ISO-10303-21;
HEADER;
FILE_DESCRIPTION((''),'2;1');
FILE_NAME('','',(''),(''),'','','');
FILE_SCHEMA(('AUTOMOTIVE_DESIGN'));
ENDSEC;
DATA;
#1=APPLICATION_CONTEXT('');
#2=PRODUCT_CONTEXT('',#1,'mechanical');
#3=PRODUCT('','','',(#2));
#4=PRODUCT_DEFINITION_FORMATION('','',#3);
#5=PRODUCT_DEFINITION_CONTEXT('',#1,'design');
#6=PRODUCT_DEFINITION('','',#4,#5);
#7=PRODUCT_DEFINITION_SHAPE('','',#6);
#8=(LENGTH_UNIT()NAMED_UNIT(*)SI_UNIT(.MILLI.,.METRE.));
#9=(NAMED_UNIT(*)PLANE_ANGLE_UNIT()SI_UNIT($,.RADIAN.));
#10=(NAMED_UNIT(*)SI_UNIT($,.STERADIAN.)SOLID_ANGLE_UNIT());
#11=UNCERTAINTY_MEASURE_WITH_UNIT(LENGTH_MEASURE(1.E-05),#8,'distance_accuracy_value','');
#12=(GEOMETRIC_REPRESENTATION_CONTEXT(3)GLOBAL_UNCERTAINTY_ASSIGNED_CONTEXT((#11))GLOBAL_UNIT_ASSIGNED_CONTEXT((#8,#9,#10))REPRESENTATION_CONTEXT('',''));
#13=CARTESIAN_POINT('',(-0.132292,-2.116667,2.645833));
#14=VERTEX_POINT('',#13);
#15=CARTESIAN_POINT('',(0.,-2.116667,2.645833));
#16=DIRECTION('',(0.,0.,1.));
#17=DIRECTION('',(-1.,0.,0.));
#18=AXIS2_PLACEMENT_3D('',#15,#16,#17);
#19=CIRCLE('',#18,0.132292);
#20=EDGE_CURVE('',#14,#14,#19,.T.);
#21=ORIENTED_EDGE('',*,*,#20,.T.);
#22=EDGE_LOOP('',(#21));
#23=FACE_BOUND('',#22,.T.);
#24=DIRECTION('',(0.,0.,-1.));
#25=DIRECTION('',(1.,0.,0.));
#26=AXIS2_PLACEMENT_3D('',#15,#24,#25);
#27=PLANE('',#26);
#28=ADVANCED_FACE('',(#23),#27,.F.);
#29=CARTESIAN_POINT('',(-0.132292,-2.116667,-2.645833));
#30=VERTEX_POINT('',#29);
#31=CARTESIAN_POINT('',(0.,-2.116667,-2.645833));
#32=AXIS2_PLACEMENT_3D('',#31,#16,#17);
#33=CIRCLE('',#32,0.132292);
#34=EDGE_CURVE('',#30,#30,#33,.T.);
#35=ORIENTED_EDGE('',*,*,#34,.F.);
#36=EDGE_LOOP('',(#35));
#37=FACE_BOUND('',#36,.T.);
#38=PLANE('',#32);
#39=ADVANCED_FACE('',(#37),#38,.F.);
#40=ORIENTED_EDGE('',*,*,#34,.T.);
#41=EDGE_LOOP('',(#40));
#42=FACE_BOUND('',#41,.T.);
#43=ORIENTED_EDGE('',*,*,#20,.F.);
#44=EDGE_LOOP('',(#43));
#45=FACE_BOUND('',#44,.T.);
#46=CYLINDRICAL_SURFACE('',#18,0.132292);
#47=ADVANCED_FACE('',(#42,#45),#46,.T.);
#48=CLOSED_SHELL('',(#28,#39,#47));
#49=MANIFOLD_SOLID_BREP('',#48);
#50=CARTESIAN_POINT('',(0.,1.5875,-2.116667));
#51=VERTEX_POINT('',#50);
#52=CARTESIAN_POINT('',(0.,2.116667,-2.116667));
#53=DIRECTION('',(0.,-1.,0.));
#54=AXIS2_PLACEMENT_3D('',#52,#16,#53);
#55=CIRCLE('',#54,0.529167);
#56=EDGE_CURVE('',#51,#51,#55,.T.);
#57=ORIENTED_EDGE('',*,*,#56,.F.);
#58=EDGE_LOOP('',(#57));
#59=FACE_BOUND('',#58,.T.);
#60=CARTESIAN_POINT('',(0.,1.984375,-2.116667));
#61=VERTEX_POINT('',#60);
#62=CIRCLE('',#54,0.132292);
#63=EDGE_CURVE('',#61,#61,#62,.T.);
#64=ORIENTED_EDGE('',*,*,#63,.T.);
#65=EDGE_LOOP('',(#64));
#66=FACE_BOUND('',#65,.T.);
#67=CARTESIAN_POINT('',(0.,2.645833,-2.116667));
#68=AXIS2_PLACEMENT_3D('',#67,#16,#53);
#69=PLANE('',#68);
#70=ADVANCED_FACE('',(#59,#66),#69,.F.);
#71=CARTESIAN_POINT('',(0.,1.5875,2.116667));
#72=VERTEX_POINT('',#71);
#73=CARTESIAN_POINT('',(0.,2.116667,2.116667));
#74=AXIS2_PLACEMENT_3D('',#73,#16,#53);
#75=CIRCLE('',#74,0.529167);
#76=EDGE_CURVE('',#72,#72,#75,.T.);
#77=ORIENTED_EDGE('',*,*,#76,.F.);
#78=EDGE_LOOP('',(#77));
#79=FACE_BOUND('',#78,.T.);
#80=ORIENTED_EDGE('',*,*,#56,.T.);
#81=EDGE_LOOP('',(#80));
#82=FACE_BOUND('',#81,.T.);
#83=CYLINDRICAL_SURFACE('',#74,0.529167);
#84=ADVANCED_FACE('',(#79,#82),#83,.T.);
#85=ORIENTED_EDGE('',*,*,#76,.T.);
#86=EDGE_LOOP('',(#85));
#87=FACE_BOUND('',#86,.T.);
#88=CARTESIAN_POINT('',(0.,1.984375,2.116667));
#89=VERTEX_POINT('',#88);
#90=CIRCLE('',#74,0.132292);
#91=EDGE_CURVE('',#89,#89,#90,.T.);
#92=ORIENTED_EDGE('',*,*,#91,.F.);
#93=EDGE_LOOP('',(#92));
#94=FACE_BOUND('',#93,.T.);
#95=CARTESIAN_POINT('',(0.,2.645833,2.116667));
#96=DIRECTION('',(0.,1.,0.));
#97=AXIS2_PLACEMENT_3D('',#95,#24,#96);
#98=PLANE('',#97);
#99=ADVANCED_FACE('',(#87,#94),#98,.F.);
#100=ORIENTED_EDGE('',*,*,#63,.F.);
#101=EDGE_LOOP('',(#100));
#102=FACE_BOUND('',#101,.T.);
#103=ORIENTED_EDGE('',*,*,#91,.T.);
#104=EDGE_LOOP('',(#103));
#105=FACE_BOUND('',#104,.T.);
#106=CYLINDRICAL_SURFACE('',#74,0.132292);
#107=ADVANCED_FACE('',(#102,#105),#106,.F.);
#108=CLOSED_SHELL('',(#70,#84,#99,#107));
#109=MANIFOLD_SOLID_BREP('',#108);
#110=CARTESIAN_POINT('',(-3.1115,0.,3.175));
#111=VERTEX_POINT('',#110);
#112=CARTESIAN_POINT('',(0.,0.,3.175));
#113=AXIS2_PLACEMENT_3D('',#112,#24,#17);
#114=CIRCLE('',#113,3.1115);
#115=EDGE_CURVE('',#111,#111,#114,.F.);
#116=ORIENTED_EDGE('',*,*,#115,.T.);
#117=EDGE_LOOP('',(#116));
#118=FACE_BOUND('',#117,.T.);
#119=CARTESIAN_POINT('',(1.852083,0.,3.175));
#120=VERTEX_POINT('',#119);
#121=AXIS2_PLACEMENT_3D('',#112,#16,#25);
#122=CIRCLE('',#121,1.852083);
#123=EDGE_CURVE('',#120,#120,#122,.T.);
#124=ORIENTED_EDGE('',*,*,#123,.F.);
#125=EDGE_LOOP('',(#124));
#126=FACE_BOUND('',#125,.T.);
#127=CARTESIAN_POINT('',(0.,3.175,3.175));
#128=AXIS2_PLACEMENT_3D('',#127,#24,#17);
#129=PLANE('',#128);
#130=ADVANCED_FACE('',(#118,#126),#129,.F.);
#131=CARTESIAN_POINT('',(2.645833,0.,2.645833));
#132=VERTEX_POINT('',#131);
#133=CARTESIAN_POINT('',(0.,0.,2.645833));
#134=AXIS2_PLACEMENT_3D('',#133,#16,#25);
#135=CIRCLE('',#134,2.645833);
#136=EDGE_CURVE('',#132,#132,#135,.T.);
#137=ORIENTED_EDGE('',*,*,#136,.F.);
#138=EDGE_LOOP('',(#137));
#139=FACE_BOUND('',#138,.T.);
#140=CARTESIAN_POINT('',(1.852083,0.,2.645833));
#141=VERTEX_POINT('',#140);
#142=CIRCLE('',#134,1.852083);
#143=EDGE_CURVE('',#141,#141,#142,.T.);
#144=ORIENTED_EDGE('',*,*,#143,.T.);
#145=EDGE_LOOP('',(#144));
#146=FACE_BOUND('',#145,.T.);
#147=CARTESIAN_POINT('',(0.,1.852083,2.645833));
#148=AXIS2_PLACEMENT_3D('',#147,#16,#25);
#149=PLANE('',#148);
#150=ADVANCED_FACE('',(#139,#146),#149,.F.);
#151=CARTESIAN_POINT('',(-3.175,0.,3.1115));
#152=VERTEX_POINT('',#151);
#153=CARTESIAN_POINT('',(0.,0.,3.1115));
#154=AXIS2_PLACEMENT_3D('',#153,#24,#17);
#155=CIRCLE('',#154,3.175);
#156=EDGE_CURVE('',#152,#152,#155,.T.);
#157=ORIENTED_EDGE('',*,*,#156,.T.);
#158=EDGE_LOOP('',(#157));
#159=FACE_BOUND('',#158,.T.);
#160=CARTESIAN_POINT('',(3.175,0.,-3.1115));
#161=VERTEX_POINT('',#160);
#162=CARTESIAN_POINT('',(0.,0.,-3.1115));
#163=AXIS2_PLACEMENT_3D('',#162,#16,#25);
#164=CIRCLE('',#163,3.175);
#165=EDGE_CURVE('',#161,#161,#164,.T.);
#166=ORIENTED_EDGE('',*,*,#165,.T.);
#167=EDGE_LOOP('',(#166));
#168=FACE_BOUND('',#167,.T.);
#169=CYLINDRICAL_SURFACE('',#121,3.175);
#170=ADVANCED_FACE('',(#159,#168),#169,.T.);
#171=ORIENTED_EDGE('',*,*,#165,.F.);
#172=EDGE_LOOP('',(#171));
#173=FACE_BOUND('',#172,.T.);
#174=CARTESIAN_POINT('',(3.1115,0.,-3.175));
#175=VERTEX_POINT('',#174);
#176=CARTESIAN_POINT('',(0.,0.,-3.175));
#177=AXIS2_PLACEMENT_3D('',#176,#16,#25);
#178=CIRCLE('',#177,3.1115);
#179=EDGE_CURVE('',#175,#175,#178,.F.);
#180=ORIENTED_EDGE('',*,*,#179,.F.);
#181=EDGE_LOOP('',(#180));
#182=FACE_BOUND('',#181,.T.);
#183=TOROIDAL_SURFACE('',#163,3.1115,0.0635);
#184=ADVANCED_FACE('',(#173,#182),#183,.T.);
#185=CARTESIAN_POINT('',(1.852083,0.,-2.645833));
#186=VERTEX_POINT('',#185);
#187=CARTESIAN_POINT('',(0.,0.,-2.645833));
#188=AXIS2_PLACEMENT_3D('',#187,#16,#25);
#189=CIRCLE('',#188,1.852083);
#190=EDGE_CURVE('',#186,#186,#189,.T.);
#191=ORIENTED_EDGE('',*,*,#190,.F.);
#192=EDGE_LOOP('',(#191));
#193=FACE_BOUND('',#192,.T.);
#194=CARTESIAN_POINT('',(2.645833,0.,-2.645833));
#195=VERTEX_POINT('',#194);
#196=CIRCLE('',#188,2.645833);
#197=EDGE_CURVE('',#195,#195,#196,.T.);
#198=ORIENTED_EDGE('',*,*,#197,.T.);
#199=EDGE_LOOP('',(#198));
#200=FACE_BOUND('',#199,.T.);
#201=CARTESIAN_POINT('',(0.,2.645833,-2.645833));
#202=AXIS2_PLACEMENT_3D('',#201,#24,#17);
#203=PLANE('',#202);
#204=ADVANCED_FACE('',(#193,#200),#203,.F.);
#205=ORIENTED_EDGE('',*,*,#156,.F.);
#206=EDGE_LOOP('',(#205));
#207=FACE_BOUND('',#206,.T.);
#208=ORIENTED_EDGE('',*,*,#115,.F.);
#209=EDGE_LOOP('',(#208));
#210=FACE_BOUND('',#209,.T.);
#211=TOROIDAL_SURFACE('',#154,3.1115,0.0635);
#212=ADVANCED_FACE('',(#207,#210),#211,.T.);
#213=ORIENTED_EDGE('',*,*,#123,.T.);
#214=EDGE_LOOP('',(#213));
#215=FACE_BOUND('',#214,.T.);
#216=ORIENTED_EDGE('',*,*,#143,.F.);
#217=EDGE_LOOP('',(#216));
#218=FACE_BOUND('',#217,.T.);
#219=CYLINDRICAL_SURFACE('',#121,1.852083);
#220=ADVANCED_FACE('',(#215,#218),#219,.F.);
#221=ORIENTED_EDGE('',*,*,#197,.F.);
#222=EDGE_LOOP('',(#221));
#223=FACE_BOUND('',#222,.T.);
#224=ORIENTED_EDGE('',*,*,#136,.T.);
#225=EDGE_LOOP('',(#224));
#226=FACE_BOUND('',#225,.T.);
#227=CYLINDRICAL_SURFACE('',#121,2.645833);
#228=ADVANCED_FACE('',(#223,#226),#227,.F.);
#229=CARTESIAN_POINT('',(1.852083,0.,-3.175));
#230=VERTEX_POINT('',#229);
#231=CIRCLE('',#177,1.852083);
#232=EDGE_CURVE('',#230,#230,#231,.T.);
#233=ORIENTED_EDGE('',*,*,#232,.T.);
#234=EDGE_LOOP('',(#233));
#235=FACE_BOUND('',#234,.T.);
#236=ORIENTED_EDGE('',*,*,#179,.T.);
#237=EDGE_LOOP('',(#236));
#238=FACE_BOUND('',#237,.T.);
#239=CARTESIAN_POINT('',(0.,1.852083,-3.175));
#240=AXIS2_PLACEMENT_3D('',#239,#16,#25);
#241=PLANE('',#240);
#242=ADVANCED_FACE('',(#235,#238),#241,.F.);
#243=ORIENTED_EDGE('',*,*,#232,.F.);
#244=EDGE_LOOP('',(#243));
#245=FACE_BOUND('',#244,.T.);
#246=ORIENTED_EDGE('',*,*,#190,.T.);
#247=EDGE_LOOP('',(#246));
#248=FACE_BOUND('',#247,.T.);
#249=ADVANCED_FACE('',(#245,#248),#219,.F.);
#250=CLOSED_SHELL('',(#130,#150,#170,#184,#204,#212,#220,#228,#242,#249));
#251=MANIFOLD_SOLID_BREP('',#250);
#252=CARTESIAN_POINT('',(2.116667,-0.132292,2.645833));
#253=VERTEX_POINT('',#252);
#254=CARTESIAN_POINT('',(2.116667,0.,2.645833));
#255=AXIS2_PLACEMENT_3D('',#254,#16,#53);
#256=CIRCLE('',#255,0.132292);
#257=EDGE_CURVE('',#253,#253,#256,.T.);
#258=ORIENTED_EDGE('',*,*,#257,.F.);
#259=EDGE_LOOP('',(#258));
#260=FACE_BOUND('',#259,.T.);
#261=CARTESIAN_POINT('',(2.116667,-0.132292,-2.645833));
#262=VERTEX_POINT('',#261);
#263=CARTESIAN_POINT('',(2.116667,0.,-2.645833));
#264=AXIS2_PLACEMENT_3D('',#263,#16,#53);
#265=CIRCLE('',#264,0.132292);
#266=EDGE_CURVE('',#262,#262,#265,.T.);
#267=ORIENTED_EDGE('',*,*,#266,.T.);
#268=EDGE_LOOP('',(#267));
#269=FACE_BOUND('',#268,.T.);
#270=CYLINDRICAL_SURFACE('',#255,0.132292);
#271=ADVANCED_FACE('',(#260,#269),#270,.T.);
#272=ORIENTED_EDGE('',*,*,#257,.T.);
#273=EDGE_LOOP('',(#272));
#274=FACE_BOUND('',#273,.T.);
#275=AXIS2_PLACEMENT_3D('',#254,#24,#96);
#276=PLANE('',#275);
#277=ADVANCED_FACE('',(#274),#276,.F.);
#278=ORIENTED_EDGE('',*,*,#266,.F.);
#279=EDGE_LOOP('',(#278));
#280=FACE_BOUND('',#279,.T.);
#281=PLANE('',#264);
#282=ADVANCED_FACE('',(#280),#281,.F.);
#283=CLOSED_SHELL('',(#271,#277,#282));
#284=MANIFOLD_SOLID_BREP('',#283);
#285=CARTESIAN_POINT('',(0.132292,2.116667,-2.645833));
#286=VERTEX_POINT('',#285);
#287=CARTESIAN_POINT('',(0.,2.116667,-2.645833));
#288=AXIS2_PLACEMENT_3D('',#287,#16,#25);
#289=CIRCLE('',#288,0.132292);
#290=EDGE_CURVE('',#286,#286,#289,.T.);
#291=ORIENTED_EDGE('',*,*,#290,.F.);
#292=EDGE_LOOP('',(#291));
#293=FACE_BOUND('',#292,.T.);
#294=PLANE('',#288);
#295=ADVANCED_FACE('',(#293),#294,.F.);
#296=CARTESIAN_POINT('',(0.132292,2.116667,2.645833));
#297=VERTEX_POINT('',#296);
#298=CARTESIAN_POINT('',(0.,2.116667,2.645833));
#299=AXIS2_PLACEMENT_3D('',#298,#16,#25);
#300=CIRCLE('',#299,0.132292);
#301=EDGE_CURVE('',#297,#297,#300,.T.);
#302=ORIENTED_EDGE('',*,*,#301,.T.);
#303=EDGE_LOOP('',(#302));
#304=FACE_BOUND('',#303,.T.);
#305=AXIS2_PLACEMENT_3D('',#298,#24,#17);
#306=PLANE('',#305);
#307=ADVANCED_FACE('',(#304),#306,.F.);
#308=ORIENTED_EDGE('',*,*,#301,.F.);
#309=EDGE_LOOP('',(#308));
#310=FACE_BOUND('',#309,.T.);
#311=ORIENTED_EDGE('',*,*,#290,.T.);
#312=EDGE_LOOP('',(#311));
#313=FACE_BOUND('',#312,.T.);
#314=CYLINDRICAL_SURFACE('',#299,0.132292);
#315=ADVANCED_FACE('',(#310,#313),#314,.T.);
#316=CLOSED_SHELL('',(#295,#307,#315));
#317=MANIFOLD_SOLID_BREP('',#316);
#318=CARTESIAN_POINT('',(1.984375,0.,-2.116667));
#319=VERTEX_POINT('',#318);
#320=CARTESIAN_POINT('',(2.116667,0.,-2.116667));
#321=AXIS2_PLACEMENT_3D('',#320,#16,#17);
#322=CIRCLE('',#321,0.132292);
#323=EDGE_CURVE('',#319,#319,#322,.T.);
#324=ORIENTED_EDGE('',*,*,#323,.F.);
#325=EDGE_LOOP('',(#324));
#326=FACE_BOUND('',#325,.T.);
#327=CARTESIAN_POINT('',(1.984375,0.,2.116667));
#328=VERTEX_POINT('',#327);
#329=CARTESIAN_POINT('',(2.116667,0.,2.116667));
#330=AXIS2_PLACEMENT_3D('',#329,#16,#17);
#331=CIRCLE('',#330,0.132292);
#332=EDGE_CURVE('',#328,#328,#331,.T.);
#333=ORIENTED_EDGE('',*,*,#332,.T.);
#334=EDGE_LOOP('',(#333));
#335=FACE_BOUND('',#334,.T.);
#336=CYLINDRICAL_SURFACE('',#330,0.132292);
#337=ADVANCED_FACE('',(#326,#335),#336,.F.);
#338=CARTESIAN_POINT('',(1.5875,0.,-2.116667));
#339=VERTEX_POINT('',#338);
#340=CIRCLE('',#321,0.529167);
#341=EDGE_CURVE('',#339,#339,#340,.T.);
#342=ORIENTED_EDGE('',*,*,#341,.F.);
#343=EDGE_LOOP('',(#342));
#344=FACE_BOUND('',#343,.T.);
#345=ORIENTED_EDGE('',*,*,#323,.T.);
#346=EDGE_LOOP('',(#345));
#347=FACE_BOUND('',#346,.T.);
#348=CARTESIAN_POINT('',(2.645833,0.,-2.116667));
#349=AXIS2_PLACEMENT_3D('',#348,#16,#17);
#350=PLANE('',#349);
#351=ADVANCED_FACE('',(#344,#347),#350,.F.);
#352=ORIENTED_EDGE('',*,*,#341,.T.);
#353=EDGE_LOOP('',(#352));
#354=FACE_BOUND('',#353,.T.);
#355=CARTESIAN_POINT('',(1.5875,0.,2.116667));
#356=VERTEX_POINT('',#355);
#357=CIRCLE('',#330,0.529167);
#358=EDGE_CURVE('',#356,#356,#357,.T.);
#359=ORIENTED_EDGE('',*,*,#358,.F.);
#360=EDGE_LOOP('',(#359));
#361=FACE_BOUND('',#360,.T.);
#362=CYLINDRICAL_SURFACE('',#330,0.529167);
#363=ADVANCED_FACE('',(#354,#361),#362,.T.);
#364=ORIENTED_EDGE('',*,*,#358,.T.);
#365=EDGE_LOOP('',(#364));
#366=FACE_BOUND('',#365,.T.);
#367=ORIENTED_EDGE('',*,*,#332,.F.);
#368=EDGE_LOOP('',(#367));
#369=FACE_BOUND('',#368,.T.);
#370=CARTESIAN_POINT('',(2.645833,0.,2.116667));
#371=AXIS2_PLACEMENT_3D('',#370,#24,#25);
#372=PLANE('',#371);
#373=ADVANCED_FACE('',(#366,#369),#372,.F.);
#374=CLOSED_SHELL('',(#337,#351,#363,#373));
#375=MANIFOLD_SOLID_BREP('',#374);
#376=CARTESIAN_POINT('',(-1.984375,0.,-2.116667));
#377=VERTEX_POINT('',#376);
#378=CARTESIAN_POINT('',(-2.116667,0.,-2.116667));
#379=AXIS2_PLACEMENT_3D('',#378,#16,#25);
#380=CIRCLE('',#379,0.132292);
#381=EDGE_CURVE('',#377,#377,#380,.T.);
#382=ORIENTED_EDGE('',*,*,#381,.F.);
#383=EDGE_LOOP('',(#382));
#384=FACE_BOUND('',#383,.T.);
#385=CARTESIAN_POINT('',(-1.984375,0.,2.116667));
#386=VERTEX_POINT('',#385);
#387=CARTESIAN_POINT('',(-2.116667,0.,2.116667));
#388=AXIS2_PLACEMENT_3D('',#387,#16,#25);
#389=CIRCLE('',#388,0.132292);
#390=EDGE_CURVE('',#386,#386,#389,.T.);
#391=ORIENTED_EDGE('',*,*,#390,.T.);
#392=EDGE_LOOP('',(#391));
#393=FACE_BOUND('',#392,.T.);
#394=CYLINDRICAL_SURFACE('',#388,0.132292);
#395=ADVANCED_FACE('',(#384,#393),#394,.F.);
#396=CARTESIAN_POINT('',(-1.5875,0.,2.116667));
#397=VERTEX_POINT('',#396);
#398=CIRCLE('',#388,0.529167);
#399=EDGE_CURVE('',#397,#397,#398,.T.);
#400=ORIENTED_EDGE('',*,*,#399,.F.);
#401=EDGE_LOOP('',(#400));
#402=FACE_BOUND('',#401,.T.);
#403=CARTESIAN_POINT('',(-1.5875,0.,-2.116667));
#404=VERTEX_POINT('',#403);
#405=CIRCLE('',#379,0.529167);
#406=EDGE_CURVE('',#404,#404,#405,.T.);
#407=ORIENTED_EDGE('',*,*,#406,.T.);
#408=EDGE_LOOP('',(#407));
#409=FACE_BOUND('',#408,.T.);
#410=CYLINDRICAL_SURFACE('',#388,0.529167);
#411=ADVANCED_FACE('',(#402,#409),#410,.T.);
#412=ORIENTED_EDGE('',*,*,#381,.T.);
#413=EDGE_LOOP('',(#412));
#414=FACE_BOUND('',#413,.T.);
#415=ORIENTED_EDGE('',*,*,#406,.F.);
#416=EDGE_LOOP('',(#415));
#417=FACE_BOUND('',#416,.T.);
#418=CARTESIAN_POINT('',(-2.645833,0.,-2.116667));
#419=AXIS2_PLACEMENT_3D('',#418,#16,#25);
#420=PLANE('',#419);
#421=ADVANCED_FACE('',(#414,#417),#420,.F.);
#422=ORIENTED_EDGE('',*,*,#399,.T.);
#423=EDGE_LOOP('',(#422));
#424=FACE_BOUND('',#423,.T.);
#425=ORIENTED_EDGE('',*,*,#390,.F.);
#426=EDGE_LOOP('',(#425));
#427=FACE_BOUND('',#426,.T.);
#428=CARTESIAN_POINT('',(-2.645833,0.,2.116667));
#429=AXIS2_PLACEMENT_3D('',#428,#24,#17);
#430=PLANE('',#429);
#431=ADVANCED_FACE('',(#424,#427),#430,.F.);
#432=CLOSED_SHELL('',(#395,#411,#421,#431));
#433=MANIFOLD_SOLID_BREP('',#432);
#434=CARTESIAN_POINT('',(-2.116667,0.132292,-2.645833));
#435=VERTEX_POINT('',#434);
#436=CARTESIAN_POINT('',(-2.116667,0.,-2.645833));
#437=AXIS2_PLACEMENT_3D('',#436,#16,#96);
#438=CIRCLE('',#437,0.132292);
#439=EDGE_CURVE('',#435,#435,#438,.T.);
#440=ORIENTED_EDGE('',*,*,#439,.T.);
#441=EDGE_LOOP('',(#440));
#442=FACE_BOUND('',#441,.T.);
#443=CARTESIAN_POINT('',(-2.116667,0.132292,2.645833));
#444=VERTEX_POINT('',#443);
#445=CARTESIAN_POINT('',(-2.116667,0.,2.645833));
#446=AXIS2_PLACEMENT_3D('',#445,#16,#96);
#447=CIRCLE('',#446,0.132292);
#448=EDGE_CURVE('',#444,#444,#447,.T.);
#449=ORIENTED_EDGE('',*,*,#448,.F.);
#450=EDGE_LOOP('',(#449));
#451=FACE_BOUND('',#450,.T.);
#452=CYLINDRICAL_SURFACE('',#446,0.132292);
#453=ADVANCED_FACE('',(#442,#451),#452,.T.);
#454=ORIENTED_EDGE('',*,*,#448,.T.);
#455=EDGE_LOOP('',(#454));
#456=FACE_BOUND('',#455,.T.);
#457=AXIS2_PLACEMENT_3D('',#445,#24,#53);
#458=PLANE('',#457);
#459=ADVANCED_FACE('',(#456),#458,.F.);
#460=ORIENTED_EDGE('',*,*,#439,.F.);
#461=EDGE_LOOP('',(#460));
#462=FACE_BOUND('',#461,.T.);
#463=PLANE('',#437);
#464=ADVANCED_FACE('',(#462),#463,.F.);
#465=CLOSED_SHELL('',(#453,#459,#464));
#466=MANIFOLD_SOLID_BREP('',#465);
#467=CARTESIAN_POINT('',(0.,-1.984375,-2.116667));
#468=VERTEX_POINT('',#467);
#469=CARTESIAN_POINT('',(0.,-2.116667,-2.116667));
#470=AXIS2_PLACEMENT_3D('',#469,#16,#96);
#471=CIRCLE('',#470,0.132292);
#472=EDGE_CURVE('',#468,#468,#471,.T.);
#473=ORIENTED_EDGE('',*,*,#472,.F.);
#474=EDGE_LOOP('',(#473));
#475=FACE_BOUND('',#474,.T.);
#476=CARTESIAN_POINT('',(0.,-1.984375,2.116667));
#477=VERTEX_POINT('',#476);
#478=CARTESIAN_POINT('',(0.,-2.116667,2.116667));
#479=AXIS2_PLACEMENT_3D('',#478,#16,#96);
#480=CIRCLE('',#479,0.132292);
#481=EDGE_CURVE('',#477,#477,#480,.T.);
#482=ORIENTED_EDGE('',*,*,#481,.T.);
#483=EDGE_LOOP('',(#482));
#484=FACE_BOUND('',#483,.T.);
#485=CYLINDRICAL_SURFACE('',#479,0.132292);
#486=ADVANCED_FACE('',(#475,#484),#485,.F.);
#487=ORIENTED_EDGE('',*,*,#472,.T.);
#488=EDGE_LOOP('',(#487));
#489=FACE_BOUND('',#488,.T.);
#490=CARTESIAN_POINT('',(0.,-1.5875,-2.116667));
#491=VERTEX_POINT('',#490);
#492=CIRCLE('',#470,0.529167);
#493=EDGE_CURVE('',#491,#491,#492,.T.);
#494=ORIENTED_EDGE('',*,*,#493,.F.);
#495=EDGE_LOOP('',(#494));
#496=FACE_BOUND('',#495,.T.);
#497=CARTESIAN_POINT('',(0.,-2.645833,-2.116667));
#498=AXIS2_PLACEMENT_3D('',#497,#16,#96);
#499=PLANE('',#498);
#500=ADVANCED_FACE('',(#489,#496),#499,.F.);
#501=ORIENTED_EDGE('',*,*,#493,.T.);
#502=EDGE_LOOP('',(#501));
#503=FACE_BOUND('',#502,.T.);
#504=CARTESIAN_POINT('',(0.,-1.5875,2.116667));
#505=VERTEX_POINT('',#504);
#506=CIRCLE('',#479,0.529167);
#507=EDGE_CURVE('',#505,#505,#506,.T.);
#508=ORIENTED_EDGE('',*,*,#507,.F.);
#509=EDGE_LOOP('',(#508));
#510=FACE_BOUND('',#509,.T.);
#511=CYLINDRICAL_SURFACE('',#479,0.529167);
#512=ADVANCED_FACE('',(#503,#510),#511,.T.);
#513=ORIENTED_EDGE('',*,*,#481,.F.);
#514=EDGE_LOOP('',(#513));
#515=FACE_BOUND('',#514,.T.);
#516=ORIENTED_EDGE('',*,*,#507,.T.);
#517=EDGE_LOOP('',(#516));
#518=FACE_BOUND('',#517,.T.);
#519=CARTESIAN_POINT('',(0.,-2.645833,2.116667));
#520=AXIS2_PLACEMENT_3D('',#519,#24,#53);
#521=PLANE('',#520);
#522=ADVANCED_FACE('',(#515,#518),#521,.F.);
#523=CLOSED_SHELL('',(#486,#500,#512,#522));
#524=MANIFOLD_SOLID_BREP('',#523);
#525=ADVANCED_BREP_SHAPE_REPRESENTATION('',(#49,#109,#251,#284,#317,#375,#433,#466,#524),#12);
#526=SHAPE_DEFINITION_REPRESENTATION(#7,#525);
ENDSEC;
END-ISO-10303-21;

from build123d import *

# Parameters (mm, degrees)
SKETCH2_W         = 4.233333334
SKETCH2_H         = 0.396875
SKETCH3_W         = 5.291666666
SKETCH3_H         = 0.132291666
CIRPATTERN1_COUNT = 4
CIRPATTERN1_ANGLE = 270
FILLET1_R         = 0.0635


with BuildPart() as part:
    # Sketch1 → Revolve1 (revolve)
    with BuildSketch(Plane(origin=(0, 0, 0), x_dir=(0, 0, -1), z_dir=(1, 0, 0))):
        Polygon((-3.175, 3.175), (3.175, 3.175), (3.175, 1.852083333), (2.645833333, 1.852083333), (2.645833333, 2.645833333), (-2.645833333, 2.645833333), (-2.645833333, 1.852083333), (-3.175, 1.852083333), align=None)
    revolve(axis=Axis((0, 0, 3.175), (0, 0, -1)))

    # Fillet1
    fillet1_edges = [part.edges().sort_by_distance(p)[0] for p in [
        (0, -3.175, 3.175),
        (0, -3.175, -3.175),
    ]]
    fillet(fillet1_edges, radius=FILLET1_R)


with BuildPart() as body_2:
    # Sketch2 → Revolve2 (revolve)
    with BuildSketch(Plane(origin=(0, 0, 0), x_dir=(0, 0, -1), z_dir=(1, 0, 0))):
        with Locations((0, 2.447395833)):
            Rectangle(SKETCH2_W, SKETCH2_H)
    revolve(axis=Axis((0, 2.116666667, 2.116666667), (0, 0, -1)))


with BuildPart() as body_3:
    # Sketch3 → Revolve3 (revolve)
    with BuildSketch(Plane(origin=(0, 0, 0), x_dir=(0, 0, -1), z_dir=(1, 0, 0))):
        with Locations((0, 2.1828125)):
            Rectangle(SKETCH3_W, SKETCH3_H)
    revolve(axis=Axis((0, 2.116666667, 2.645833333), (0, 0, -1)))


with BuildPart() as cirpattern1_1:
    # CirPattern1: pattern copy
    add(body_2.part.rotate(Axis((0, 0, -3.175), (0, 0, 1)), 1 * CIRPATTERN1_ANGLE / (CIRPATTERN1_COUNT - 1)))


with BuildPart() as cirpattern1_2:
    # CirPattern1: pattern copy
    add(body_2.part.rotate(Axis((0, 0, -3.175), (0, 0, 1)), 2 * CIRPATTERN1_ANGLE / (CIRPATTERN1_COUNT - 1)))


with BuildPart() as cirpattern1_3:
    # CirPattern1: pattern copy
    add(body_2.part.rotate(Axis((0, 0, -3.175), (0, 0, 1)), 3 * CIRPATTERN1_ANGLE / (CIRPATTERN1_COUNT - 1)))


with BuildPart() as cirpattern1_4:
    # CirPattern1: pattern copy
    add(body_3.part.rotate(Axis((0, 0, -3.175), (0, 0, 1)), 1 * CIRPATTERN1_ANGLE / (CIRPATTERN1_COUNT - 1)))


with BuildPart() as cirpattern1_5:
    # CirPattern1: pattern copy
    add(body_3.part.rotate(Axis((0, 0, -3.175), (0, 0, 1)), 2 * CIRPATTERN1_ANGLE / (CIRPATTERN1_COUNT - 1)))


with BuildPart() as cirpattern1_6:
    # CirPattern1: pattern copy
    add(body_3.part.rotate(Axis((0, 0, -3.175), (0, 0, 1)), 3 * CIRPATTERN1_ANGLE / (CIRPATTERN1_COUNT - 1)))


solid = Compound([part.part, body_2.part, body_3.part, cirpattern1_1.part, cirpattern1_2.part, cirpattern1_3.part, cirpattern1_4.part, cirpattern1_5.part, cirpattern1_6.part])
